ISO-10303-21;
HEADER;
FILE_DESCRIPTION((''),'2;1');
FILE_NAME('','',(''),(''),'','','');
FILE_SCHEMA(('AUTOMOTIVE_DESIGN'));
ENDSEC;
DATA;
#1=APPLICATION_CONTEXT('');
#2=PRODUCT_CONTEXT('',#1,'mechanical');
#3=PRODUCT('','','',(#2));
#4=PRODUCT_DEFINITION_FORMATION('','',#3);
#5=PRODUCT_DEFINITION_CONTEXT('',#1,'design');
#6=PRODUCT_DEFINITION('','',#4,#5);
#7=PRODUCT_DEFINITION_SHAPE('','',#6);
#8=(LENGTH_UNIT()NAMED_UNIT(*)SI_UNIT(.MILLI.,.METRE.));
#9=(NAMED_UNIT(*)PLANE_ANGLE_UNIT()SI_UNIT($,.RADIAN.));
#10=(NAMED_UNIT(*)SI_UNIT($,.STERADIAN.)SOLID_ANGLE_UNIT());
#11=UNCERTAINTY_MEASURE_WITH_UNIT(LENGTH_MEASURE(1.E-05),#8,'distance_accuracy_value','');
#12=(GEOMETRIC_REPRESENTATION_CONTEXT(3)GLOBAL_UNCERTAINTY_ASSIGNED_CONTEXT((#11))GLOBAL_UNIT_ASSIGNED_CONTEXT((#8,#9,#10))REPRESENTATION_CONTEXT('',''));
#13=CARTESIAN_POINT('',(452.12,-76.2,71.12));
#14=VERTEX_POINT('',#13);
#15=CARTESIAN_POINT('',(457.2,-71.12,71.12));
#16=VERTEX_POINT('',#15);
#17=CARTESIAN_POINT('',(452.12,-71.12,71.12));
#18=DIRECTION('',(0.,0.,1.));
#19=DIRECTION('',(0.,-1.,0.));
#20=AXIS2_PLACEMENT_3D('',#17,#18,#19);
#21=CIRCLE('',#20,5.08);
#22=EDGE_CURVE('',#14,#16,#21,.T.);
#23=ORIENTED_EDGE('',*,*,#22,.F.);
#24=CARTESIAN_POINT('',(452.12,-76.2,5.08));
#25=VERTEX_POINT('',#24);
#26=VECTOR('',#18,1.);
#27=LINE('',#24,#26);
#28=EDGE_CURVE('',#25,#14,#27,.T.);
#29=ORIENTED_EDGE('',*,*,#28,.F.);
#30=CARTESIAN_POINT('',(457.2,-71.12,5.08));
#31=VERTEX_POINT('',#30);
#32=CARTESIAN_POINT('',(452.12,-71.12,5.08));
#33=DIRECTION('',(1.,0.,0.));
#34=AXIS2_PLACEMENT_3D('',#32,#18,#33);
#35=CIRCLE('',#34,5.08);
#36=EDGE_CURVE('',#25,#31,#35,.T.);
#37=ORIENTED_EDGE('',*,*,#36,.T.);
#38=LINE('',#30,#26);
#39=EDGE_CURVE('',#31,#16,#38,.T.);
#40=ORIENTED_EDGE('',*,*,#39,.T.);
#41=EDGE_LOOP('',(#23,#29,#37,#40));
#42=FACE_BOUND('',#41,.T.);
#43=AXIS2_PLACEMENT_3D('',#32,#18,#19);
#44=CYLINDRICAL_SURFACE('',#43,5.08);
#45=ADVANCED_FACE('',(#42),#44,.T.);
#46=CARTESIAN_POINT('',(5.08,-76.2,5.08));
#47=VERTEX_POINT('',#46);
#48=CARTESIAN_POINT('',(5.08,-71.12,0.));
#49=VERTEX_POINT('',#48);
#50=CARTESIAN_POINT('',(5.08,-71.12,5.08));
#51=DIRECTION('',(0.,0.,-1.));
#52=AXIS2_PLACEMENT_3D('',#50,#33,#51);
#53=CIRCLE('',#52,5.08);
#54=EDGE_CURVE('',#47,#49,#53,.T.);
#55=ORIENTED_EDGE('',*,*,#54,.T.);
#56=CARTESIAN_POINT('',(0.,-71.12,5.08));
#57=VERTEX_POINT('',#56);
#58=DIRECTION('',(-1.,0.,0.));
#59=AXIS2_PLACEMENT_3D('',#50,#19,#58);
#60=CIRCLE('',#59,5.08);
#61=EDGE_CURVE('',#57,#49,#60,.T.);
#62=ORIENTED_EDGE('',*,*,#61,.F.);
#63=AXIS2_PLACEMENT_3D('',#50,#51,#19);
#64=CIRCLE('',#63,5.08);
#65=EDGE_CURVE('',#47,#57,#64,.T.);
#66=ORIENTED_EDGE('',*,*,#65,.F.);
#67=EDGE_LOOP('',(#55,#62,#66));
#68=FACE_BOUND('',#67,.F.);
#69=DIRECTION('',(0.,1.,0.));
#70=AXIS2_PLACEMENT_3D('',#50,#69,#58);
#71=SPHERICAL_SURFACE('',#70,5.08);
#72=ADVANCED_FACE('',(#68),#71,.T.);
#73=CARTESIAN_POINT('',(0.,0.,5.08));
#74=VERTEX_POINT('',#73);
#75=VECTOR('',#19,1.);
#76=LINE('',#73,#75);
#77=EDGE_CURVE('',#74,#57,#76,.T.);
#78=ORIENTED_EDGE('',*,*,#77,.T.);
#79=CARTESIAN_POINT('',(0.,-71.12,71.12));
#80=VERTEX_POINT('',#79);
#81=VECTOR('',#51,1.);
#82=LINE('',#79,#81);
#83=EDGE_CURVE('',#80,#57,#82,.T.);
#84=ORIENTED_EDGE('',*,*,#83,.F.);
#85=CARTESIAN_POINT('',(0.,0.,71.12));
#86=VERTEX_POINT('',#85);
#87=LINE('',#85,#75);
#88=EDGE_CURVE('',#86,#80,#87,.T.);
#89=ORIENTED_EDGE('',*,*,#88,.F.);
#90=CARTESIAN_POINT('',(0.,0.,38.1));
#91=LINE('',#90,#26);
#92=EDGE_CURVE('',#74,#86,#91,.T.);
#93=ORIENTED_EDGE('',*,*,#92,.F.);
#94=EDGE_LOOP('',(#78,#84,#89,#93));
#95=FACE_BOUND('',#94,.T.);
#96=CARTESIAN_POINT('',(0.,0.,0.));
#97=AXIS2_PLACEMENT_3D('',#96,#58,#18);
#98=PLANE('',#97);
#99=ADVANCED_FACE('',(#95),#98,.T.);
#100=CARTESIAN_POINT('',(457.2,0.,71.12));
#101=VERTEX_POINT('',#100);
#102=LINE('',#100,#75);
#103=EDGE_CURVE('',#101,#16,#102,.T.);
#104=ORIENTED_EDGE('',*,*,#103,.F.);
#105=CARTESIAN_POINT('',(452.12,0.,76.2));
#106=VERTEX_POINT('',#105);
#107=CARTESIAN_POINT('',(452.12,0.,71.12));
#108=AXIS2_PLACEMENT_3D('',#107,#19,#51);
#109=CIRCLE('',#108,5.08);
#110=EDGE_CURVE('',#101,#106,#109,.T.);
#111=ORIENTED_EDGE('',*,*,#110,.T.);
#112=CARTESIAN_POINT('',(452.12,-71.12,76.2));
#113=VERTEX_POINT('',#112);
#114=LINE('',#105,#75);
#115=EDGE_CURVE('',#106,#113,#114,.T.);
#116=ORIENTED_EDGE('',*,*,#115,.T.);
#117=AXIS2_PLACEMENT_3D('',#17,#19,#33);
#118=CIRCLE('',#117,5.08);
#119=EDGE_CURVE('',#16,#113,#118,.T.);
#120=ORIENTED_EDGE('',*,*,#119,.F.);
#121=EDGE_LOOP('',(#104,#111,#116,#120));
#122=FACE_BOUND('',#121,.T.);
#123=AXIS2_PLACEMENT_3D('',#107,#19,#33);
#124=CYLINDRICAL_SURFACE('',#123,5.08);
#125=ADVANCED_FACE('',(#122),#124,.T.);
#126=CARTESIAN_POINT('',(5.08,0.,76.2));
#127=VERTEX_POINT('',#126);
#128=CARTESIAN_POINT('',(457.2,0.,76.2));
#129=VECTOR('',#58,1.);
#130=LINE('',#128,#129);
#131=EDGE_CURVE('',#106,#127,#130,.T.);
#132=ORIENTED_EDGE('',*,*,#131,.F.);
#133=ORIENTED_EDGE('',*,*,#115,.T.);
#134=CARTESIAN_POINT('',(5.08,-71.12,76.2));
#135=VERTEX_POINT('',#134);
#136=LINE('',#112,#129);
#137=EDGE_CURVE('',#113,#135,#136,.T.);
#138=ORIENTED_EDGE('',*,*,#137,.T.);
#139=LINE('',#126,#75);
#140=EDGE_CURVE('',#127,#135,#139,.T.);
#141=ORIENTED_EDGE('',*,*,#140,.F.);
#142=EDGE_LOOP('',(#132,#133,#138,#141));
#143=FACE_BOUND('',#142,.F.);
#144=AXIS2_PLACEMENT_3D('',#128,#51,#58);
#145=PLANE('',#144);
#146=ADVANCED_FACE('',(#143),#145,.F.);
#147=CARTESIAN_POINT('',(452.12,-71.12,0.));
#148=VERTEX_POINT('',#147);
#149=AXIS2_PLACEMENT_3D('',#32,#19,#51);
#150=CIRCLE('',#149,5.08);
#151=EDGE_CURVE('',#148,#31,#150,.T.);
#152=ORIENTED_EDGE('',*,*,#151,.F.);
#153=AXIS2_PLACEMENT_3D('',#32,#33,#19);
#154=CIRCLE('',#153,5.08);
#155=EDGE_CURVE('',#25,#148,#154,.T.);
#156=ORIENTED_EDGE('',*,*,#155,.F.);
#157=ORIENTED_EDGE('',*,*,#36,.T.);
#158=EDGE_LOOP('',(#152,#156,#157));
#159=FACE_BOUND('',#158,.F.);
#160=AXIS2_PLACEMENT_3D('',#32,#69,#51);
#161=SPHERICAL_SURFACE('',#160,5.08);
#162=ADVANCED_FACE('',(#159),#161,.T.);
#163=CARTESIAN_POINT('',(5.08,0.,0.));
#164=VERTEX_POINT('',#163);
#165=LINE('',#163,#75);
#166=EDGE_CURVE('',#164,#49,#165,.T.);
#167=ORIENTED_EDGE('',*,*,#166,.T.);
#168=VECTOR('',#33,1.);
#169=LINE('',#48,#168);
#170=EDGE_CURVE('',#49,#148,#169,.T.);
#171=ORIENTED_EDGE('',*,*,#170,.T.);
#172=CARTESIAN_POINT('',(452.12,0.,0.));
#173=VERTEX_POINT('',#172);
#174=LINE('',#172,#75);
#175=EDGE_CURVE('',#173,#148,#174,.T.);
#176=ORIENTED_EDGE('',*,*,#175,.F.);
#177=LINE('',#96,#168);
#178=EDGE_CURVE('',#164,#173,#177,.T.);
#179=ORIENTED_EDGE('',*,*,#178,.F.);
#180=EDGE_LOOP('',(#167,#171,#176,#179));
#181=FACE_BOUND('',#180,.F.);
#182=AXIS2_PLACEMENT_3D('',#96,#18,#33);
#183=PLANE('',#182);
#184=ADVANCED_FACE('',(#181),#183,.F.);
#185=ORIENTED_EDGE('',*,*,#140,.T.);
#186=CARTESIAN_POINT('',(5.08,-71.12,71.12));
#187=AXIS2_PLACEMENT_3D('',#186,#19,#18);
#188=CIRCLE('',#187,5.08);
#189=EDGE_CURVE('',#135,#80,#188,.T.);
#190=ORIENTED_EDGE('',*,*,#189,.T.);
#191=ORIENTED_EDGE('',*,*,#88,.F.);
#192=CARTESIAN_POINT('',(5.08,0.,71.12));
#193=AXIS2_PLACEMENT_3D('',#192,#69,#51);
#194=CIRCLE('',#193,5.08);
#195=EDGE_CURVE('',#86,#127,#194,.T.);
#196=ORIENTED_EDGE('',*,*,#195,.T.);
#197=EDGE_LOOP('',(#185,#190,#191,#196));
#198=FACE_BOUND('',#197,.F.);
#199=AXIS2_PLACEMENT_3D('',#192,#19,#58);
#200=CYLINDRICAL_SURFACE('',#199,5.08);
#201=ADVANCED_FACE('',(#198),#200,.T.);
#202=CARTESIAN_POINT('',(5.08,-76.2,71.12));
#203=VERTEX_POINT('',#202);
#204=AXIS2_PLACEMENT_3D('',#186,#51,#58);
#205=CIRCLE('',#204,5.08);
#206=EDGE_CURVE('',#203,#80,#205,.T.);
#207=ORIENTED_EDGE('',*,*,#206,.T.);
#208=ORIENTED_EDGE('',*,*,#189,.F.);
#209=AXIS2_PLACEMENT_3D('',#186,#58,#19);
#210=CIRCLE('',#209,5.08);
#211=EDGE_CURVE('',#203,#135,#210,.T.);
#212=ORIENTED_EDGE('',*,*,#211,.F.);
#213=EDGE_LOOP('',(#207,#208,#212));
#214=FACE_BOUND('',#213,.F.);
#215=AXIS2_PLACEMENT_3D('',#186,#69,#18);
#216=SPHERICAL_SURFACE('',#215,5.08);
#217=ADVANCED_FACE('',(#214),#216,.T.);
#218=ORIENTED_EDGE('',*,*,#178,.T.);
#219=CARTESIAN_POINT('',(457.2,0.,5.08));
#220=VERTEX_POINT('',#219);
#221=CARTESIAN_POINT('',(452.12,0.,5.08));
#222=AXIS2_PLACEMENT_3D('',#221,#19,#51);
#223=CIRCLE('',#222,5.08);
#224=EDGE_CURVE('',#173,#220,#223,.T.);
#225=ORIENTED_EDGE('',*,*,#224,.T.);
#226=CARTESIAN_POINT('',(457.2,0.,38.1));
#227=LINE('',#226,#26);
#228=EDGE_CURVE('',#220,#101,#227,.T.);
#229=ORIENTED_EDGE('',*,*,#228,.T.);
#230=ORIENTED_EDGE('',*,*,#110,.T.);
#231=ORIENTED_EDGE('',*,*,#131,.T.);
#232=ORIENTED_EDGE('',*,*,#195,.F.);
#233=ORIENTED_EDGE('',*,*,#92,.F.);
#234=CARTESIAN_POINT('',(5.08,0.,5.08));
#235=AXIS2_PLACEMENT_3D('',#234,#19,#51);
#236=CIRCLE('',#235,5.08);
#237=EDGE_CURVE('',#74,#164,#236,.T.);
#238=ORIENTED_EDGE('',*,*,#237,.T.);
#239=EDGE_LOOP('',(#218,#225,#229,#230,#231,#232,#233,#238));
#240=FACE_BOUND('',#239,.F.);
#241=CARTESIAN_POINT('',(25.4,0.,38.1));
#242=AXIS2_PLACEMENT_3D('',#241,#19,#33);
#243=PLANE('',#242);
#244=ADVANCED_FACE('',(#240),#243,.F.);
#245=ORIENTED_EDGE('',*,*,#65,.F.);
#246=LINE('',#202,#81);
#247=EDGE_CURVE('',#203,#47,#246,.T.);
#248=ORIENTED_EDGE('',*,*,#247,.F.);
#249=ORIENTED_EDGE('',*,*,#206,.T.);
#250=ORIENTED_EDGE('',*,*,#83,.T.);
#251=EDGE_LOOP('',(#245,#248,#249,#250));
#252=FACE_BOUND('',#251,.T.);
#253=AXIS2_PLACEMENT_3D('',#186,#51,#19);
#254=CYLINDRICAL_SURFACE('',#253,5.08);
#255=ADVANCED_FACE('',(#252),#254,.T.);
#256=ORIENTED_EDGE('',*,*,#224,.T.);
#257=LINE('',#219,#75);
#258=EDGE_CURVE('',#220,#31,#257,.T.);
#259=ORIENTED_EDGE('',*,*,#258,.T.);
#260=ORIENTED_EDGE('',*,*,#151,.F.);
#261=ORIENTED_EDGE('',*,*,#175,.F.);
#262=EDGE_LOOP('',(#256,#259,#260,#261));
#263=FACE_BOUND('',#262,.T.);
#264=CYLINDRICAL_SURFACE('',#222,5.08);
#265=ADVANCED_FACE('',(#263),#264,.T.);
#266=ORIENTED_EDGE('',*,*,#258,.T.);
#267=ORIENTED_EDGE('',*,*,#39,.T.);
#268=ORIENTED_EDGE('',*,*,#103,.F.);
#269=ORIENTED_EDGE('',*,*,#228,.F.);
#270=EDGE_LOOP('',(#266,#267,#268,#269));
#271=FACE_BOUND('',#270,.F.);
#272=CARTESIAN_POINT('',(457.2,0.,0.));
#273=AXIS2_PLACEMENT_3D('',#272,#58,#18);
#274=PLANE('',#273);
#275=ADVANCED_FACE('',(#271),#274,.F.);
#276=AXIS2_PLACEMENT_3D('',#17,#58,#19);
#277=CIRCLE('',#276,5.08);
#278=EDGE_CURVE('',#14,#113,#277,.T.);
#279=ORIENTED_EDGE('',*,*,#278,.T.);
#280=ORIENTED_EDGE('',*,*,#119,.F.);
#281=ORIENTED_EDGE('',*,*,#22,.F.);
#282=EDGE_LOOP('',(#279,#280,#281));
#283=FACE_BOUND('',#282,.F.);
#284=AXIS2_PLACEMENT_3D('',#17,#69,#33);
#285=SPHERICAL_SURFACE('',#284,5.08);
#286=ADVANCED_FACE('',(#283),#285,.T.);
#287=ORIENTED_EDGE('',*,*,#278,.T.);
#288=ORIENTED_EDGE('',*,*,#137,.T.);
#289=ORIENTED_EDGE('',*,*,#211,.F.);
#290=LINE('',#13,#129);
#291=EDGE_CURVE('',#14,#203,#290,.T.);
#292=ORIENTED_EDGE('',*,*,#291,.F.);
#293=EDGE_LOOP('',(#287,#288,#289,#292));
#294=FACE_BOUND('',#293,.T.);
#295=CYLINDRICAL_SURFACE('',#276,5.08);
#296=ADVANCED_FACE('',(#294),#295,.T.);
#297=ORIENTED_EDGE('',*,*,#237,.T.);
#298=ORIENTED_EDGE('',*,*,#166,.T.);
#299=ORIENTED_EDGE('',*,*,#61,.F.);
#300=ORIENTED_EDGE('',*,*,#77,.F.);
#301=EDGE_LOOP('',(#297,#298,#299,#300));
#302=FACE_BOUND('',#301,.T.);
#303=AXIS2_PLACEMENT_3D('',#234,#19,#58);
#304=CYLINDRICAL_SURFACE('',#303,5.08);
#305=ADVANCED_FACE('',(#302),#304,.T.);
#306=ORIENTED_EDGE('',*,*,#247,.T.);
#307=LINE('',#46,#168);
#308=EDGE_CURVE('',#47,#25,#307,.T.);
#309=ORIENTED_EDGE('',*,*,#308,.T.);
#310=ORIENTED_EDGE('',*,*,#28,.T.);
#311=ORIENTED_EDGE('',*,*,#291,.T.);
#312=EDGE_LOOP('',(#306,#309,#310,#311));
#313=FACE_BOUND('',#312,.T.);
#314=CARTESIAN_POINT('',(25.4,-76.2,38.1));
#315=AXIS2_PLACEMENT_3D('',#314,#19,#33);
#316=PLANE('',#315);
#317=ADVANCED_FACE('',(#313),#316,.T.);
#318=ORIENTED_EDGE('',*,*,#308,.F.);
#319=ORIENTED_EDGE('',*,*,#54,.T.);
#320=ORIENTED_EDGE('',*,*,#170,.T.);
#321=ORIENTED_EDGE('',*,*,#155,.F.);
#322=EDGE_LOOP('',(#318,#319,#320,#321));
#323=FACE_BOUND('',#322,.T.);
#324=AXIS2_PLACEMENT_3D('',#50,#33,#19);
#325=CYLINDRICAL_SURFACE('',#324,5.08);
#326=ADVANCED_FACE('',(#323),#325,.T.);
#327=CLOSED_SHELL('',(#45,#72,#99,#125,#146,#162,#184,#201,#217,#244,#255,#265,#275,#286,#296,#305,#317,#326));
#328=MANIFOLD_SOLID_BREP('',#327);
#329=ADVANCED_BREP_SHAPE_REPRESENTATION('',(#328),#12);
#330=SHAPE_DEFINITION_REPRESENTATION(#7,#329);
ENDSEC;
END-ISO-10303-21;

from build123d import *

# Parameters (mm, degrees)
F0_W     = 50.8
F0_H     = 76.2
F0_W_2   = 355.6
F1_DEPTH = 76.2
F2_R     = 5.08
F3_R     = 5.08


with BuildPart() as f1:
    # F0 (on Front) → F1 (new body)
    with BuildSketch(Plane.XZ):
        with Locations((25.4, 38.1)):
            Rectangle(F0_W, F0_H)
        with Locations((228.6, 38.1)):
            Rectangle(F0_W_2, F0_H)
        with Locations((431.8, 38.1)):
            Rectangle(F0_W, F0_H)
    extrude(amount=F1_DEPTH)

    # F2
    f2_edges = [f1.edges().sort_by_distance(p)[0] for p in [
        (457.2, -38.1, 0),
        (0, -38.1, 0),
        (457.2, -38.1, 76.2),
        (0, -38.1, 76.2),
    ]]
    fillet(f2_edges, radius=F2_R)

    # F3
    f3_edges = [f1.edges().sort_by_distance(p)[0] for p in [
        (228.6, -76.2, 76.2),
    ]]
    fillet(f3_edges, radius=F3_R)


solid = f1.part
